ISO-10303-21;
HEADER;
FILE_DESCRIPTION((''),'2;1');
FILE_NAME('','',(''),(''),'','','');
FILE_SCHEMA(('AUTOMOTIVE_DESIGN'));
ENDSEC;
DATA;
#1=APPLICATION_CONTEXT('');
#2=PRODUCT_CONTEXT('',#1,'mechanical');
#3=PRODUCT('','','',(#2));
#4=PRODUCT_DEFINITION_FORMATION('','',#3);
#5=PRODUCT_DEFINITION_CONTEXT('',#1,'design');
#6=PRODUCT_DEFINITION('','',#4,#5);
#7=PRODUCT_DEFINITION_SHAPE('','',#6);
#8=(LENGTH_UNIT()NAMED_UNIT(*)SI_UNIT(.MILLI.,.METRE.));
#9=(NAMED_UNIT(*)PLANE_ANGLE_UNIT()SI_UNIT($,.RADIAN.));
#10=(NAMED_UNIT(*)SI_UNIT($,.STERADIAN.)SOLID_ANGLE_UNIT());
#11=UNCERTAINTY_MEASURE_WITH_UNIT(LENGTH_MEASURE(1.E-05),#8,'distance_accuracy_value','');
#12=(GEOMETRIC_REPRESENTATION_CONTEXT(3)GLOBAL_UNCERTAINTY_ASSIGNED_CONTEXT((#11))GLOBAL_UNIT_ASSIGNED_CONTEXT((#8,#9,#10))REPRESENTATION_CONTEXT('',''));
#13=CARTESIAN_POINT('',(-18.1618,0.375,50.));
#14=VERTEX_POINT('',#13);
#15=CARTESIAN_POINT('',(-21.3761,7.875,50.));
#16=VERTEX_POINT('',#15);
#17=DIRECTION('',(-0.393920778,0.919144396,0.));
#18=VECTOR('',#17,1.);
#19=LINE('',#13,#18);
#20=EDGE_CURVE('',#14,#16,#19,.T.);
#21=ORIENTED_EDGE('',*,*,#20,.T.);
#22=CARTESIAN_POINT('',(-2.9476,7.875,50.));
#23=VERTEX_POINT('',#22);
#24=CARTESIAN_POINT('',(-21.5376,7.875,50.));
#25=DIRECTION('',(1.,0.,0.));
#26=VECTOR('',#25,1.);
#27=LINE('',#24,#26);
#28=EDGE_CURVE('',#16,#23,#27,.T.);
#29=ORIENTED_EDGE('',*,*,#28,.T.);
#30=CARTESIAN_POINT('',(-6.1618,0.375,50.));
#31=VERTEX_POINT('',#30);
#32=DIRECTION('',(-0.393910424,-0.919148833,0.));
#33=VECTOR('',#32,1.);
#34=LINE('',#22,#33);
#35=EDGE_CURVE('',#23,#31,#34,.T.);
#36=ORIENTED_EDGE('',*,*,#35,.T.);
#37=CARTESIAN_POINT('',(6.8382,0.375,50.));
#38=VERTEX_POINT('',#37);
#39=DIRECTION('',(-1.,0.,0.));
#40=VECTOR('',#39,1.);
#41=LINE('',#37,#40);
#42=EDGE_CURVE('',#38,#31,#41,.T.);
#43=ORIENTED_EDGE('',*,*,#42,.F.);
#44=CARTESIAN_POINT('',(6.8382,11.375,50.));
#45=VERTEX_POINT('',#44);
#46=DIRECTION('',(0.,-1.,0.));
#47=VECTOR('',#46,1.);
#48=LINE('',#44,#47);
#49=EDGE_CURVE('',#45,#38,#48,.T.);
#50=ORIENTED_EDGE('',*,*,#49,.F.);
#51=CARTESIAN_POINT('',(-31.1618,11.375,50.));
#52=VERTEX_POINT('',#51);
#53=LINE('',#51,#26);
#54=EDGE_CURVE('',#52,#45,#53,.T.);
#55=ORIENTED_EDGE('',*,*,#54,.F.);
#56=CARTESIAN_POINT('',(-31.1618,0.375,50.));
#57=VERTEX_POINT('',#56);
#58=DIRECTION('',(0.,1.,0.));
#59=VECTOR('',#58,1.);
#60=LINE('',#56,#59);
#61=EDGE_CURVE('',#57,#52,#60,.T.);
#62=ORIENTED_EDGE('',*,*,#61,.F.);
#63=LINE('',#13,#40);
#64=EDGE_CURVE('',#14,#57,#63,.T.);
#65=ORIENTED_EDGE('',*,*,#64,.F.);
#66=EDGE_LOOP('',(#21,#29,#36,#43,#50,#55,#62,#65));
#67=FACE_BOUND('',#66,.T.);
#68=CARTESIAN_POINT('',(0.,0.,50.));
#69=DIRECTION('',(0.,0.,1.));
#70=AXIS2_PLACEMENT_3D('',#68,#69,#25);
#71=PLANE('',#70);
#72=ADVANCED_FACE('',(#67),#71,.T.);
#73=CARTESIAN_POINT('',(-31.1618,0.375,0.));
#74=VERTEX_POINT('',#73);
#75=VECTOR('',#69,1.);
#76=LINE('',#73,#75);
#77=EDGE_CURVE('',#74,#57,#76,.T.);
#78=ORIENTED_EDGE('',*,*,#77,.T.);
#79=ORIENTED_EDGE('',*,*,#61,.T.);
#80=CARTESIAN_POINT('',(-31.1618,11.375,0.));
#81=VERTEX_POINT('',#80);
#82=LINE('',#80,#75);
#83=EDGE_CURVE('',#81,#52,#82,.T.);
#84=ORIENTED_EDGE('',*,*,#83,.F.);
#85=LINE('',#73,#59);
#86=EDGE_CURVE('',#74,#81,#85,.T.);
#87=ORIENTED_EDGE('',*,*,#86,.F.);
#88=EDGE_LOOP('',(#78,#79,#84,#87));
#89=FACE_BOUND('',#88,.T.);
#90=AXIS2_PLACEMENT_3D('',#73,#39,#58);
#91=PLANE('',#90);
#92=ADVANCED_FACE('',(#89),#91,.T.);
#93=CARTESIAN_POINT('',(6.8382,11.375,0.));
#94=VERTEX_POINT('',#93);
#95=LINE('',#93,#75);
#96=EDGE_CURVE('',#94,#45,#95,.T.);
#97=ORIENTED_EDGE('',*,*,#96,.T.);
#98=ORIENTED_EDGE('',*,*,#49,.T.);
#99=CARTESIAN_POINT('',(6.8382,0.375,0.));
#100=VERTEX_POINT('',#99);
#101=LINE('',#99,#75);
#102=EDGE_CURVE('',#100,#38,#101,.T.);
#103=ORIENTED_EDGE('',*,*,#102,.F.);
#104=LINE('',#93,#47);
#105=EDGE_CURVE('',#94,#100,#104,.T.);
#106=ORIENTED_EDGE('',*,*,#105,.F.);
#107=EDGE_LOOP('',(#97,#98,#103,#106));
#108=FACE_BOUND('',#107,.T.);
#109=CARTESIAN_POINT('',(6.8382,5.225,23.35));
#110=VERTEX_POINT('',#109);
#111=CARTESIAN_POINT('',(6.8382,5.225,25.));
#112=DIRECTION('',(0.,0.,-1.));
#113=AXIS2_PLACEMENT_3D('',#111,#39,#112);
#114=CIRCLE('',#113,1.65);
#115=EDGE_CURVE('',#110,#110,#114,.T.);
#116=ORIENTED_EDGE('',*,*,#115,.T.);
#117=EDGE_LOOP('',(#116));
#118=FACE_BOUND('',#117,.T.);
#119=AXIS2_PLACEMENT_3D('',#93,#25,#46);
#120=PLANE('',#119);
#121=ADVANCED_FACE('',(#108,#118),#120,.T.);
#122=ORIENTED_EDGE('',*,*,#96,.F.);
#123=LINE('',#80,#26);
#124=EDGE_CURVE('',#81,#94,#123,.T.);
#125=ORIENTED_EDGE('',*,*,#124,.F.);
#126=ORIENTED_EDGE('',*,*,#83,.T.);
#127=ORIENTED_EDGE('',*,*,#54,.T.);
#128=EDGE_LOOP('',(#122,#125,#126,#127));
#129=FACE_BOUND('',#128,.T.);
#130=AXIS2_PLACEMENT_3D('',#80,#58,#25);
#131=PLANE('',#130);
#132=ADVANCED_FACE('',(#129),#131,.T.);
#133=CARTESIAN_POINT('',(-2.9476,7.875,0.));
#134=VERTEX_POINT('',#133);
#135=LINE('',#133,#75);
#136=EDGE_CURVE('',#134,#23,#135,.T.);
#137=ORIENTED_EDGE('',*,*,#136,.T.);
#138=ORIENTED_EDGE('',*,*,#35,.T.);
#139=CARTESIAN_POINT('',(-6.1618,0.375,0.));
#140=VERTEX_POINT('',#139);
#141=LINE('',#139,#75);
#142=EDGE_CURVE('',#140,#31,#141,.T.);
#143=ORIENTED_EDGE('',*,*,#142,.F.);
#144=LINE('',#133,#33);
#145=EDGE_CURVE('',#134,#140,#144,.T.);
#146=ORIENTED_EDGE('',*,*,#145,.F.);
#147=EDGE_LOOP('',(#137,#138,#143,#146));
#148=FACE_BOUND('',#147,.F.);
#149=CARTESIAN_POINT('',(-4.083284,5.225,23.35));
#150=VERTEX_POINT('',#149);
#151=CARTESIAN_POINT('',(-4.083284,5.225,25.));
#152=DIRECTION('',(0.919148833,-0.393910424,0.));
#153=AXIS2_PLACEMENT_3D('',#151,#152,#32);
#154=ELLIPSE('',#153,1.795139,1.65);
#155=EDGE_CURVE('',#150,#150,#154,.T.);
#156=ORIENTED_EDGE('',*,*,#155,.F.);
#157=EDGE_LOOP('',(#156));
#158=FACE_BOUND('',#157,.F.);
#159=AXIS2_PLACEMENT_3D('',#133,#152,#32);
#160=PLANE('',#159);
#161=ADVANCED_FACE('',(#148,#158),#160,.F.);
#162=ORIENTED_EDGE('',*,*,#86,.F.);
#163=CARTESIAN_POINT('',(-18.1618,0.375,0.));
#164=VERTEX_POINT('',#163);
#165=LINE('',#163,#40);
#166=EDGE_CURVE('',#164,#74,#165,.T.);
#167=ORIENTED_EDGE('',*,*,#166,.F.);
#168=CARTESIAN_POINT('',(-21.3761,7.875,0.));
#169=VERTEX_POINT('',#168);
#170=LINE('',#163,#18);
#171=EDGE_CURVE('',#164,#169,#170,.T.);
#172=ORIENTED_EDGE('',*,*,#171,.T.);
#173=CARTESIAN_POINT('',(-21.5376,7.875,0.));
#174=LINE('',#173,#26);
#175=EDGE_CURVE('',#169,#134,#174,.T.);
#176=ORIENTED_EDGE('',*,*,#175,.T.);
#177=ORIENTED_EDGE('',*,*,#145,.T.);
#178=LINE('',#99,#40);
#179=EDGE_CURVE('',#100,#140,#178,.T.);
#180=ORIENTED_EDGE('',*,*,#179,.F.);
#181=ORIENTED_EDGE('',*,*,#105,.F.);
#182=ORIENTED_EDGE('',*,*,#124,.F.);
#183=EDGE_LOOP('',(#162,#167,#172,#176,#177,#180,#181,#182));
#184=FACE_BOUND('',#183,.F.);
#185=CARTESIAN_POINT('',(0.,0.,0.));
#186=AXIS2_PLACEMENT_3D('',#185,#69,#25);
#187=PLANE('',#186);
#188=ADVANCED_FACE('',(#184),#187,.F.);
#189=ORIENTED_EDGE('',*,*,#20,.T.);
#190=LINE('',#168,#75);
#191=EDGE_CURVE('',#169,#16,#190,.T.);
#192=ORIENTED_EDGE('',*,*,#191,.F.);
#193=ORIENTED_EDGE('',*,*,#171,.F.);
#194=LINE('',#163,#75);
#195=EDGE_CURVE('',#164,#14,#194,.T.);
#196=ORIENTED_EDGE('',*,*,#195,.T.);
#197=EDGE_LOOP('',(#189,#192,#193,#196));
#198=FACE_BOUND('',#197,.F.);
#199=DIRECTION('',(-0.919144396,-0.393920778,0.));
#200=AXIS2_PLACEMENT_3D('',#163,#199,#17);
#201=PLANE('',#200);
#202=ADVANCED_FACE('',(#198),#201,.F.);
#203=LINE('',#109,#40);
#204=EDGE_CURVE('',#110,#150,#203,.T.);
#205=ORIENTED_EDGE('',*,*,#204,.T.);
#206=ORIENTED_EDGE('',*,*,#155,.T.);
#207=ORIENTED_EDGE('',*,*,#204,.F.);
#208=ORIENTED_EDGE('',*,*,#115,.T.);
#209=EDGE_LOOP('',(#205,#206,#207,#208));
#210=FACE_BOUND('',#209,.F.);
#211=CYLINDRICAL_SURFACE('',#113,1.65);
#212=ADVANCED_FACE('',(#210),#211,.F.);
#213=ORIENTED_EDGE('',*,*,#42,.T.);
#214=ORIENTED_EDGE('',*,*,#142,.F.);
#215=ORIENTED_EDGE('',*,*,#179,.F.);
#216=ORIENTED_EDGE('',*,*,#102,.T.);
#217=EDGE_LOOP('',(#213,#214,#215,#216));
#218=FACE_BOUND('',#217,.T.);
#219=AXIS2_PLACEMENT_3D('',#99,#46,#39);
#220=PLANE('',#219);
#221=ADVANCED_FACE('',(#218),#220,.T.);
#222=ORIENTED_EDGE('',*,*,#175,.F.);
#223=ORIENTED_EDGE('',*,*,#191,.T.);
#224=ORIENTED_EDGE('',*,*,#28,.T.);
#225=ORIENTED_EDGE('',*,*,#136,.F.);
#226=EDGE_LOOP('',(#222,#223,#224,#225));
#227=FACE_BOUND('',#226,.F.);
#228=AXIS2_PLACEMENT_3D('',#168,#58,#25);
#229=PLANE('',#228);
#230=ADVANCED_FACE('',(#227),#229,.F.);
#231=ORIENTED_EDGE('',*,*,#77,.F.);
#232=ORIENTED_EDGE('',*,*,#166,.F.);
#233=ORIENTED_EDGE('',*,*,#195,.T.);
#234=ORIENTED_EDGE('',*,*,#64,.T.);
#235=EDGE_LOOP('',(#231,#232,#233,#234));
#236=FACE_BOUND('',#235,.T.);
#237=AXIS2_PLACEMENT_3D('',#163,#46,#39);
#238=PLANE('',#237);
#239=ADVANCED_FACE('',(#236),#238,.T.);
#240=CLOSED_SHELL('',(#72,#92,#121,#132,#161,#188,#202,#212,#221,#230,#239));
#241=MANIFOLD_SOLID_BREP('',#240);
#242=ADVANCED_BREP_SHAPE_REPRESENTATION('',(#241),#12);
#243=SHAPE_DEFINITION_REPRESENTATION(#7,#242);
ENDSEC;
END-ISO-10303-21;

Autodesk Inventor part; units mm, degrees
ref_plane "YZ Plane" through (0, 0, 0) normal (1, 0, 0) x (0, 1, 0)
ref_plane "XZ Plane" through (0, 0, 0) normal (0, 1, 0) x (-1, 0, 0)
ref_plane "XY Plane" through (0, 0, 0) normal (0, 0, 1) x (1, 0, 0)
sketch "Skizze1" plane through (0, 0, 0) normal (0, 0, 1) x (1, 0, 0)
  line L0 (-18.1618, 0.375) -> (-21.3761, 7.875)
  line L1 (-2.9476, 7.875) -> (-6.1618, 0.375)
  line L2 (-6.1618, 0.375) -> (-18.1618, 0.375)
  line L3 (-18.1618, 0.375) -> (-31.1618, 0.375)
  line L4 (-31.1618, 0.375) -> (-31.1618, 11.375)
  line L5 (-31.1618, 11.375) -> (6.8382, 11.375)
  line L6 (6.8382, 11.375) -> (6.8382, 0.375)
  line L7 (6.8382, 0.375) -> (-6.1618, 0.375)
  line L8 (-21.5376, 7.875) -> (-2.9476, 7.875)
  point P0 (0, 0)
  point P1 (-21.1618, 7.375)
  point P2 (-3.1618, 7.375)
  dimension "d10" = 38
  dimension "d14" = 12
  dimension "d17" = 13
  dimension "d27" = 18.59
  dimension "d28" = 7.5
  dimension "d29" = 3.2143
  dimension "d30" = 3.2143
extrude "Extrusion1" add sketch "Skizze1" along normal blind 50 contours L3 L4 L5 L6 L7 L1 L8 L0
sketch "Skizze2" plane through (6.8382, 0.375, 0) normal (1, 0, 0) x (0, 0, -1)
  line L0 (-50, 0) -> (-50, 11) projected
  line L1 (0, 11) -> (-50, 11) projected
  point P0 (0, -0.375)
  point P1 (-25, 4.85)
  dimension "d19" = 6.15
hole "Bohrung1" at (6.8382, 5.225, 25) direction (-1, 0, 0) diameter 3.3 depth 13 tip angle 118
properties part number "Schienenläuderaufsatz_15.11."
